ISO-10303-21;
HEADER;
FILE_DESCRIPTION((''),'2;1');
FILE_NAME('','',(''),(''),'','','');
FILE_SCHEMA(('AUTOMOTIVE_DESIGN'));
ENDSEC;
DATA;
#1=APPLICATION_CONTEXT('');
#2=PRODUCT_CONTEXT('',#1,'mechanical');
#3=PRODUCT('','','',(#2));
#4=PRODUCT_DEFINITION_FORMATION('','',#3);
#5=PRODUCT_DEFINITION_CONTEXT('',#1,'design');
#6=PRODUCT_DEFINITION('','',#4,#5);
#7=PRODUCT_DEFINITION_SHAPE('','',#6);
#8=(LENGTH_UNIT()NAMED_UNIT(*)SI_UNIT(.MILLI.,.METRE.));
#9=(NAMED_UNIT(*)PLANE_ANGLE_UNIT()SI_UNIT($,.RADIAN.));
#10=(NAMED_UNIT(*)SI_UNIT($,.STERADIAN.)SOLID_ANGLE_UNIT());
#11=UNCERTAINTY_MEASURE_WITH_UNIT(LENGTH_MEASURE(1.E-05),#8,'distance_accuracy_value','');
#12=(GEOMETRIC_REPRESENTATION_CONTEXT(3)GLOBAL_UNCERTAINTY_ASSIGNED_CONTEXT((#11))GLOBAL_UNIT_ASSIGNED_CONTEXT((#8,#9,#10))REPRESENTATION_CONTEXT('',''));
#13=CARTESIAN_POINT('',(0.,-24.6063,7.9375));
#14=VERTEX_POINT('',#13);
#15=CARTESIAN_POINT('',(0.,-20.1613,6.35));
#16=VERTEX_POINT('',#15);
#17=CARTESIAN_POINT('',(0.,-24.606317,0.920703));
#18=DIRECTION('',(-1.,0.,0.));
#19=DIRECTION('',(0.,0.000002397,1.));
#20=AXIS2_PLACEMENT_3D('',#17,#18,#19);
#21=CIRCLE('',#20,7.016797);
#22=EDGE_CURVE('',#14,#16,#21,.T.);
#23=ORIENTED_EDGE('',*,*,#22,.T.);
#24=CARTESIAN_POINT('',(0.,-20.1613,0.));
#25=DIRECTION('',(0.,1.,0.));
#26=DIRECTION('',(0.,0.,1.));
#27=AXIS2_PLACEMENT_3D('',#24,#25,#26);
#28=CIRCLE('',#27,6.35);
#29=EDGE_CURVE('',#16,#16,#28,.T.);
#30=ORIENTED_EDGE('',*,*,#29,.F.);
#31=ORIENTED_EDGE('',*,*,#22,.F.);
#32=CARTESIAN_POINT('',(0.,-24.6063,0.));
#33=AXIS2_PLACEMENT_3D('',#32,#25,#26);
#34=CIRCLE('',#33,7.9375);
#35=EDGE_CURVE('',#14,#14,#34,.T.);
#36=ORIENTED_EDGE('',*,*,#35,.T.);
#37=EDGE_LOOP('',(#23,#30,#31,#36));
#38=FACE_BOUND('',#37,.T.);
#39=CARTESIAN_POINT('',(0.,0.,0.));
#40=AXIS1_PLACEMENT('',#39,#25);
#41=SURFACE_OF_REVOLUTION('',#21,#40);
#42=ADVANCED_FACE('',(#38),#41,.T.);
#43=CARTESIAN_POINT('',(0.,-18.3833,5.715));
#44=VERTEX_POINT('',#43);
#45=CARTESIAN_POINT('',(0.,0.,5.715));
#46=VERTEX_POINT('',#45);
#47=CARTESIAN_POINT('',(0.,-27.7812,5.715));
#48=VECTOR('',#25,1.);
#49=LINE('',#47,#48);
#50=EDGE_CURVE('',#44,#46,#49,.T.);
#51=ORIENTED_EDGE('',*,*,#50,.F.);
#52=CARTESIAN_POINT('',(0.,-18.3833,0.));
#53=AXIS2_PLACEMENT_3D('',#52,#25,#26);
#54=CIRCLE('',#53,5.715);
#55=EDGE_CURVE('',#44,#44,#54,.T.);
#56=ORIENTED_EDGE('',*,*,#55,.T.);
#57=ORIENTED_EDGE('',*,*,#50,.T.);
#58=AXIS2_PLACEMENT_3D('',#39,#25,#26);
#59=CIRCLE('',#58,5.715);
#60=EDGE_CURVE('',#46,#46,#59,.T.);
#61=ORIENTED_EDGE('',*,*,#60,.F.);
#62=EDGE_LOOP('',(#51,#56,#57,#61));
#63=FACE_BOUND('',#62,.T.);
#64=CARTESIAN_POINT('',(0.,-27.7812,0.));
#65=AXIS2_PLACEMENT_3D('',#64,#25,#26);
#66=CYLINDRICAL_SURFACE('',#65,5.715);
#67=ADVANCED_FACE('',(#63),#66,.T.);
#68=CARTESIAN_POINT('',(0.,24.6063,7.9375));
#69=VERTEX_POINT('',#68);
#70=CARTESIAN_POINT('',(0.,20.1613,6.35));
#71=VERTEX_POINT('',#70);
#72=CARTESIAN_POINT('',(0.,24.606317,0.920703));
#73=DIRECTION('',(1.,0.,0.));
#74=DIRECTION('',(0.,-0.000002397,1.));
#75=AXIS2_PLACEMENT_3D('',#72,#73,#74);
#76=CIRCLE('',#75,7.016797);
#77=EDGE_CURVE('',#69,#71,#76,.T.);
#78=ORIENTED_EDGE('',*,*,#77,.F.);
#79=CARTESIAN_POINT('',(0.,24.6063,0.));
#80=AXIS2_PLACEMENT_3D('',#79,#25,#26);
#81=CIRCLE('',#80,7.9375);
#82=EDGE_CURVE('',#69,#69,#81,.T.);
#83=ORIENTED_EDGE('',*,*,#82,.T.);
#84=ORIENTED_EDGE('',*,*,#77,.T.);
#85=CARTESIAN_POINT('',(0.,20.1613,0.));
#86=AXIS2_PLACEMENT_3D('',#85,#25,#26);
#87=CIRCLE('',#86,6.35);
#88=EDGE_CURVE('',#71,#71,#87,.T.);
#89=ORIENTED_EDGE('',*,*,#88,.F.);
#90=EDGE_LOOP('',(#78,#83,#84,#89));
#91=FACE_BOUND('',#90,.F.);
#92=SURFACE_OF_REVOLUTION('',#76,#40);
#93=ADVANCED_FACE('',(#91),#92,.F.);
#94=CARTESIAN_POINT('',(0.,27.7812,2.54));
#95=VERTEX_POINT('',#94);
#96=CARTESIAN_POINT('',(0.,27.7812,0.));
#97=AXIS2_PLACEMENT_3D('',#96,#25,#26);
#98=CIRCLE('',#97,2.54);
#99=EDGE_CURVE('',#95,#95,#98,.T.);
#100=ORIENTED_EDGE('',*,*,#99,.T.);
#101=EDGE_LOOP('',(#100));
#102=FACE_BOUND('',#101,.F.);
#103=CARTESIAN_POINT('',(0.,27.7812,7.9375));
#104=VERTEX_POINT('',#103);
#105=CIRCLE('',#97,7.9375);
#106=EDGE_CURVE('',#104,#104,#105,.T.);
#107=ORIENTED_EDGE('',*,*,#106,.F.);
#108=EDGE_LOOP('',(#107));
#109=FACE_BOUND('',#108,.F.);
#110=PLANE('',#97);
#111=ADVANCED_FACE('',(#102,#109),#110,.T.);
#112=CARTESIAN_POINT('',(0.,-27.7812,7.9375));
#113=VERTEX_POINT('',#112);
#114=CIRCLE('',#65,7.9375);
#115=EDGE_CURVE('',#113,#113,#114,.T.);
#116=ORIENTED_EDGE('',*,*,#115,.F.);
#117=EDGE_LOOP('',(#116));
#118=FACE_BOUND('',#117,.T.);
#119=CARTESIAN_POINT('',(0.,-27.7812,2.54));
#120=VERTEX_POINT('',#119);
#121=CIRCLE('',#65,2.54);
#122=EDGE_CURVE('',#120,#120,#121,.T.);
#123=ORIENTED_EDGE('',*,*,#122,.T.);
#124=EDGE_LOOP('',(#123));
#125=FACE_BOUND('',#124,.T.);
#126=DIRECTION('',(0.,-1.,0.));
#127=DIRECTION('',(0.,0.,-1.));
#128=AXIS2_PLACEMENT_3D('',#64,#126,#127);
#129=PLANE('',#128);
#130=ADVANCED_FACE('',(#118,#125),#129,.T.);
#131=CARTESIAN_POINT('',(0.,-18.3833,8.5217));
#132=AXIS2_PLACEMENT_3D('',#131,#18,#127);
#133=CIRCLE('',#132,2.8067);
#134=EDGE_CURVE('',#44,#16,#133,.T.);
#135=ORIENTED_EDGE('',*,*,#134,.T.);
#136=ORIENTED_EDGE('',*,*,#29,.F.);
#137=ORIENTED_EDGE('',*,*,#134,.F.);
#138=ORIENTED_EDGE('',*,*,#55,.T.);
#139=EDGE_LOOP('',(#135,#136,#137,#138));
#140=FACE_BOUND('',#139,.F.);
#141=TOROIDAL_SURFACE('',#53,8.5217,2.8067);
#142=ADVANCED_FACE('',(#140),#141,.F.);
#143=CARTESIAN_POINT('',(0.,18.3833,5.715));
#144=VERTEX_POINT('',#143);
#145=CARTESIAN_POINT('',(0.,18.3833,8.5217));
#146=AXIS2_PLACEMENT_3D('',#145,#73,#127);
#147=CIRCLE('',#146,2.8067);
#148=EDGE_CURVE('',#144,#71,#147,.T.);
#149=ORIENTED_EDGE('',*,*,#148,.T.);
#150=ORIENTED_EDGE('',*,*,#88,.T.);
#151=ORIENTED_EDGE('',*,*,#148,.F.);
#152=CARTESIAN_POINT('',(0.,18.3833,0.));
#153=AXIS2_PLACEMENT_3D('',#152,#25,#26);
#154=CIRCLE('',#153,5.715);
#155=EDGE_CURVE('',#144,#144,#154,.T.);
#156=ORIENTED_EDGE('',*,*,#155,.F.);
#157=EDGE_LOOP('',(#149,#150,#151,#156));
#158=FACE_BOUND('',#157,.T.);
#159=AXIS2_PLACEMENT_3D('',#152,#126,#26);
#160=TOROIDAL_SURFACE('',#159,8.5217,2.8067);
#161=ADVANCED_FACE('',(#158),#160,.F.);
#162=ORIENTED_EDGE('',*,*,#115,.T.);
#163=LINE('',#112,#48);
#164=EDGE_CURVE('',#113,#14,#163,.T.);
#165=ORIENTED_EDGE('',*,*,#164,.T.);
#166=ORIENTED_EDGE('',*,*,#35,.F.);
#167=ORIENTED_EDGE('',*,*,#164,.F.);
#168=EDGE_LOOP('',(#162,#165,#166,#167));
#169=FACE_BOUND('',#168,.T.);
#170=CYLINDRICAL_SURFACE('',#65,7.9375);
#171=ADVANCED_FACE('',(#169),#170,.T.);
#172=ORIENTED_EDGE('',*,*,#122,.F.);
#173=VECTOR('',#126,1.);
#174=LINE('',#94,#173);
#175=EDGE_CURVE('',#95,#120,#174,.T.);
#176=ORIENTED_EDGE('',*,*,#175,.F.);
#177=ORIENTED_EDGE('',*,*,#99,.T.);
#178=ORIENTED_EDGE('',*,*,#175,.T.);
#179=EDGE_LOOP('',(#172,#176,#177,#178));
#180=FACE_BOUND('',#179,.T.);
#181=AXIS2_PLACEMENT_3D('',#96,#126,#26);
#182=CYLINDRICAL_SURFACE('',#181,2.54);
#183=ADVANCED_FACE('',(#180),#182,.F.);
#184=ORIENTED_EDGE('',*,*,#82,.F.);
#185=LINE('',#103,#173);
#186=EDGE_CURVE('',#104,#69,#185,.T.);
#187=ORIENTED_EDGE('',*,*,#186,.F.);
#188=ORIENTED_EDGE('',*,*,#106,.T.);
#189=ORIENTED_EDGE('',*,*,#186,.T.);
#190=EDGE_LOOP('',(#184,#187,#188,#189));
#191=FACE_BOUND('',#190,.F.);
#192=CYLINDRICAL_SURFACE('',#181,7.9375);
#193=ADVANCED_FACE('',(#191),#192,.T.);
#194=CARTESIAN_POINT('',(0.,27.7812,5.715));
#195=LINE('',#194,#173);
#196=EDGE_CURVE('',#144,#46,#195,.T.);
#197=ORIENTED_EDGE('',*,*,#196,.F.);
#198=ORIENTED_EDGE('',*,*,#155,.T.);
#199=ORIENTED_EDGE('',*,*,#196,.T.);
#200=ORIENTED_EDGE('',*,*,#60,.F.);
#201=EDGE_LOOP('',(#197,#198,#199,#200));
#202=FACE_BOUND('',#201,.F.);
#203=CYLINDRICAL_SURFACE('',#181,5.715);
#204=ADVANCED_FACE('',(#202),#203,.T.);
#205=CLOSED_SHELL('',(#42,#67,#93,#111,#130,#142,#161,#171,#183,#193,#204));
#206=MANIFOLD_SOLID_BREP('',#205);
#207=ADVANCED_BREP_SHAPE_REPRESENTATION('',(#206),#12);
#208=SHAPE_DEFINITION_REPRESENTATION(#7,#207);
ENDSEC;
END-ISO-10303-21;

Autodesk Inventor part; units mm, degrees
ref_plane "YZ Plane" through (0, 0, 0) normal (1, 0, 0) x (0, 1, 0)
ref_plane "XZ Plane" through (0, 0, 0) normal (0, 1, 0) x (-1, 0, 0)
ref_plane "XY Plane" through (0, 0, 0) normal (0, 0, 1) x (1, 0, 0)
sketch "Sketch1" plane through (0, 0, 0) normal (1, 0, 0) x (0, 1, 0)
  line L0 (27.7812, 2.54) -> (0, 2.54)
  line L1 (-5.5563, 0) -> (33.3375, 0) projected
  line L2 (27.7812, 2.54) -> (27.7812, 7.9375)
  line L3 (0, 10.226) -> (0, -1.7043) projected
  line L4 (27.7812, 7.9375) -> (24.6063, 7.9375)
  line L5 (27.7812, 5.715) -> (0, 5.715)
  arc A0 (24.6063, 7.9375) -> (20.1613, 6.35) centre (24.6063, 0.9208) ccw
  arc A1 (18.3833, 5.715) -> (20.1613, 6.35) centre (18.3833, 8.5217) ccw
  point P0 (0, 0)
  dimension "d0" = 2.54
  dimension "d2" = 27.7812
  dimension "d3" = 3.175
  dimension "d5" = 3.175
  dimension "d6" = 7.62
  dimension "d9" = 7.9375
  dimension "d10" = 1.5875
revolve "Revolution1" add sketch "Sketch1" angle 360 about axis through (0, 0, 0) along (0, 1, 0)
mirror "Mirror1" about plane through (0, 0, 5.715) normal (0, -1, 0) of "Revolution1"
properties part number "Bolt_Spacer" material "ABS Plastic"
